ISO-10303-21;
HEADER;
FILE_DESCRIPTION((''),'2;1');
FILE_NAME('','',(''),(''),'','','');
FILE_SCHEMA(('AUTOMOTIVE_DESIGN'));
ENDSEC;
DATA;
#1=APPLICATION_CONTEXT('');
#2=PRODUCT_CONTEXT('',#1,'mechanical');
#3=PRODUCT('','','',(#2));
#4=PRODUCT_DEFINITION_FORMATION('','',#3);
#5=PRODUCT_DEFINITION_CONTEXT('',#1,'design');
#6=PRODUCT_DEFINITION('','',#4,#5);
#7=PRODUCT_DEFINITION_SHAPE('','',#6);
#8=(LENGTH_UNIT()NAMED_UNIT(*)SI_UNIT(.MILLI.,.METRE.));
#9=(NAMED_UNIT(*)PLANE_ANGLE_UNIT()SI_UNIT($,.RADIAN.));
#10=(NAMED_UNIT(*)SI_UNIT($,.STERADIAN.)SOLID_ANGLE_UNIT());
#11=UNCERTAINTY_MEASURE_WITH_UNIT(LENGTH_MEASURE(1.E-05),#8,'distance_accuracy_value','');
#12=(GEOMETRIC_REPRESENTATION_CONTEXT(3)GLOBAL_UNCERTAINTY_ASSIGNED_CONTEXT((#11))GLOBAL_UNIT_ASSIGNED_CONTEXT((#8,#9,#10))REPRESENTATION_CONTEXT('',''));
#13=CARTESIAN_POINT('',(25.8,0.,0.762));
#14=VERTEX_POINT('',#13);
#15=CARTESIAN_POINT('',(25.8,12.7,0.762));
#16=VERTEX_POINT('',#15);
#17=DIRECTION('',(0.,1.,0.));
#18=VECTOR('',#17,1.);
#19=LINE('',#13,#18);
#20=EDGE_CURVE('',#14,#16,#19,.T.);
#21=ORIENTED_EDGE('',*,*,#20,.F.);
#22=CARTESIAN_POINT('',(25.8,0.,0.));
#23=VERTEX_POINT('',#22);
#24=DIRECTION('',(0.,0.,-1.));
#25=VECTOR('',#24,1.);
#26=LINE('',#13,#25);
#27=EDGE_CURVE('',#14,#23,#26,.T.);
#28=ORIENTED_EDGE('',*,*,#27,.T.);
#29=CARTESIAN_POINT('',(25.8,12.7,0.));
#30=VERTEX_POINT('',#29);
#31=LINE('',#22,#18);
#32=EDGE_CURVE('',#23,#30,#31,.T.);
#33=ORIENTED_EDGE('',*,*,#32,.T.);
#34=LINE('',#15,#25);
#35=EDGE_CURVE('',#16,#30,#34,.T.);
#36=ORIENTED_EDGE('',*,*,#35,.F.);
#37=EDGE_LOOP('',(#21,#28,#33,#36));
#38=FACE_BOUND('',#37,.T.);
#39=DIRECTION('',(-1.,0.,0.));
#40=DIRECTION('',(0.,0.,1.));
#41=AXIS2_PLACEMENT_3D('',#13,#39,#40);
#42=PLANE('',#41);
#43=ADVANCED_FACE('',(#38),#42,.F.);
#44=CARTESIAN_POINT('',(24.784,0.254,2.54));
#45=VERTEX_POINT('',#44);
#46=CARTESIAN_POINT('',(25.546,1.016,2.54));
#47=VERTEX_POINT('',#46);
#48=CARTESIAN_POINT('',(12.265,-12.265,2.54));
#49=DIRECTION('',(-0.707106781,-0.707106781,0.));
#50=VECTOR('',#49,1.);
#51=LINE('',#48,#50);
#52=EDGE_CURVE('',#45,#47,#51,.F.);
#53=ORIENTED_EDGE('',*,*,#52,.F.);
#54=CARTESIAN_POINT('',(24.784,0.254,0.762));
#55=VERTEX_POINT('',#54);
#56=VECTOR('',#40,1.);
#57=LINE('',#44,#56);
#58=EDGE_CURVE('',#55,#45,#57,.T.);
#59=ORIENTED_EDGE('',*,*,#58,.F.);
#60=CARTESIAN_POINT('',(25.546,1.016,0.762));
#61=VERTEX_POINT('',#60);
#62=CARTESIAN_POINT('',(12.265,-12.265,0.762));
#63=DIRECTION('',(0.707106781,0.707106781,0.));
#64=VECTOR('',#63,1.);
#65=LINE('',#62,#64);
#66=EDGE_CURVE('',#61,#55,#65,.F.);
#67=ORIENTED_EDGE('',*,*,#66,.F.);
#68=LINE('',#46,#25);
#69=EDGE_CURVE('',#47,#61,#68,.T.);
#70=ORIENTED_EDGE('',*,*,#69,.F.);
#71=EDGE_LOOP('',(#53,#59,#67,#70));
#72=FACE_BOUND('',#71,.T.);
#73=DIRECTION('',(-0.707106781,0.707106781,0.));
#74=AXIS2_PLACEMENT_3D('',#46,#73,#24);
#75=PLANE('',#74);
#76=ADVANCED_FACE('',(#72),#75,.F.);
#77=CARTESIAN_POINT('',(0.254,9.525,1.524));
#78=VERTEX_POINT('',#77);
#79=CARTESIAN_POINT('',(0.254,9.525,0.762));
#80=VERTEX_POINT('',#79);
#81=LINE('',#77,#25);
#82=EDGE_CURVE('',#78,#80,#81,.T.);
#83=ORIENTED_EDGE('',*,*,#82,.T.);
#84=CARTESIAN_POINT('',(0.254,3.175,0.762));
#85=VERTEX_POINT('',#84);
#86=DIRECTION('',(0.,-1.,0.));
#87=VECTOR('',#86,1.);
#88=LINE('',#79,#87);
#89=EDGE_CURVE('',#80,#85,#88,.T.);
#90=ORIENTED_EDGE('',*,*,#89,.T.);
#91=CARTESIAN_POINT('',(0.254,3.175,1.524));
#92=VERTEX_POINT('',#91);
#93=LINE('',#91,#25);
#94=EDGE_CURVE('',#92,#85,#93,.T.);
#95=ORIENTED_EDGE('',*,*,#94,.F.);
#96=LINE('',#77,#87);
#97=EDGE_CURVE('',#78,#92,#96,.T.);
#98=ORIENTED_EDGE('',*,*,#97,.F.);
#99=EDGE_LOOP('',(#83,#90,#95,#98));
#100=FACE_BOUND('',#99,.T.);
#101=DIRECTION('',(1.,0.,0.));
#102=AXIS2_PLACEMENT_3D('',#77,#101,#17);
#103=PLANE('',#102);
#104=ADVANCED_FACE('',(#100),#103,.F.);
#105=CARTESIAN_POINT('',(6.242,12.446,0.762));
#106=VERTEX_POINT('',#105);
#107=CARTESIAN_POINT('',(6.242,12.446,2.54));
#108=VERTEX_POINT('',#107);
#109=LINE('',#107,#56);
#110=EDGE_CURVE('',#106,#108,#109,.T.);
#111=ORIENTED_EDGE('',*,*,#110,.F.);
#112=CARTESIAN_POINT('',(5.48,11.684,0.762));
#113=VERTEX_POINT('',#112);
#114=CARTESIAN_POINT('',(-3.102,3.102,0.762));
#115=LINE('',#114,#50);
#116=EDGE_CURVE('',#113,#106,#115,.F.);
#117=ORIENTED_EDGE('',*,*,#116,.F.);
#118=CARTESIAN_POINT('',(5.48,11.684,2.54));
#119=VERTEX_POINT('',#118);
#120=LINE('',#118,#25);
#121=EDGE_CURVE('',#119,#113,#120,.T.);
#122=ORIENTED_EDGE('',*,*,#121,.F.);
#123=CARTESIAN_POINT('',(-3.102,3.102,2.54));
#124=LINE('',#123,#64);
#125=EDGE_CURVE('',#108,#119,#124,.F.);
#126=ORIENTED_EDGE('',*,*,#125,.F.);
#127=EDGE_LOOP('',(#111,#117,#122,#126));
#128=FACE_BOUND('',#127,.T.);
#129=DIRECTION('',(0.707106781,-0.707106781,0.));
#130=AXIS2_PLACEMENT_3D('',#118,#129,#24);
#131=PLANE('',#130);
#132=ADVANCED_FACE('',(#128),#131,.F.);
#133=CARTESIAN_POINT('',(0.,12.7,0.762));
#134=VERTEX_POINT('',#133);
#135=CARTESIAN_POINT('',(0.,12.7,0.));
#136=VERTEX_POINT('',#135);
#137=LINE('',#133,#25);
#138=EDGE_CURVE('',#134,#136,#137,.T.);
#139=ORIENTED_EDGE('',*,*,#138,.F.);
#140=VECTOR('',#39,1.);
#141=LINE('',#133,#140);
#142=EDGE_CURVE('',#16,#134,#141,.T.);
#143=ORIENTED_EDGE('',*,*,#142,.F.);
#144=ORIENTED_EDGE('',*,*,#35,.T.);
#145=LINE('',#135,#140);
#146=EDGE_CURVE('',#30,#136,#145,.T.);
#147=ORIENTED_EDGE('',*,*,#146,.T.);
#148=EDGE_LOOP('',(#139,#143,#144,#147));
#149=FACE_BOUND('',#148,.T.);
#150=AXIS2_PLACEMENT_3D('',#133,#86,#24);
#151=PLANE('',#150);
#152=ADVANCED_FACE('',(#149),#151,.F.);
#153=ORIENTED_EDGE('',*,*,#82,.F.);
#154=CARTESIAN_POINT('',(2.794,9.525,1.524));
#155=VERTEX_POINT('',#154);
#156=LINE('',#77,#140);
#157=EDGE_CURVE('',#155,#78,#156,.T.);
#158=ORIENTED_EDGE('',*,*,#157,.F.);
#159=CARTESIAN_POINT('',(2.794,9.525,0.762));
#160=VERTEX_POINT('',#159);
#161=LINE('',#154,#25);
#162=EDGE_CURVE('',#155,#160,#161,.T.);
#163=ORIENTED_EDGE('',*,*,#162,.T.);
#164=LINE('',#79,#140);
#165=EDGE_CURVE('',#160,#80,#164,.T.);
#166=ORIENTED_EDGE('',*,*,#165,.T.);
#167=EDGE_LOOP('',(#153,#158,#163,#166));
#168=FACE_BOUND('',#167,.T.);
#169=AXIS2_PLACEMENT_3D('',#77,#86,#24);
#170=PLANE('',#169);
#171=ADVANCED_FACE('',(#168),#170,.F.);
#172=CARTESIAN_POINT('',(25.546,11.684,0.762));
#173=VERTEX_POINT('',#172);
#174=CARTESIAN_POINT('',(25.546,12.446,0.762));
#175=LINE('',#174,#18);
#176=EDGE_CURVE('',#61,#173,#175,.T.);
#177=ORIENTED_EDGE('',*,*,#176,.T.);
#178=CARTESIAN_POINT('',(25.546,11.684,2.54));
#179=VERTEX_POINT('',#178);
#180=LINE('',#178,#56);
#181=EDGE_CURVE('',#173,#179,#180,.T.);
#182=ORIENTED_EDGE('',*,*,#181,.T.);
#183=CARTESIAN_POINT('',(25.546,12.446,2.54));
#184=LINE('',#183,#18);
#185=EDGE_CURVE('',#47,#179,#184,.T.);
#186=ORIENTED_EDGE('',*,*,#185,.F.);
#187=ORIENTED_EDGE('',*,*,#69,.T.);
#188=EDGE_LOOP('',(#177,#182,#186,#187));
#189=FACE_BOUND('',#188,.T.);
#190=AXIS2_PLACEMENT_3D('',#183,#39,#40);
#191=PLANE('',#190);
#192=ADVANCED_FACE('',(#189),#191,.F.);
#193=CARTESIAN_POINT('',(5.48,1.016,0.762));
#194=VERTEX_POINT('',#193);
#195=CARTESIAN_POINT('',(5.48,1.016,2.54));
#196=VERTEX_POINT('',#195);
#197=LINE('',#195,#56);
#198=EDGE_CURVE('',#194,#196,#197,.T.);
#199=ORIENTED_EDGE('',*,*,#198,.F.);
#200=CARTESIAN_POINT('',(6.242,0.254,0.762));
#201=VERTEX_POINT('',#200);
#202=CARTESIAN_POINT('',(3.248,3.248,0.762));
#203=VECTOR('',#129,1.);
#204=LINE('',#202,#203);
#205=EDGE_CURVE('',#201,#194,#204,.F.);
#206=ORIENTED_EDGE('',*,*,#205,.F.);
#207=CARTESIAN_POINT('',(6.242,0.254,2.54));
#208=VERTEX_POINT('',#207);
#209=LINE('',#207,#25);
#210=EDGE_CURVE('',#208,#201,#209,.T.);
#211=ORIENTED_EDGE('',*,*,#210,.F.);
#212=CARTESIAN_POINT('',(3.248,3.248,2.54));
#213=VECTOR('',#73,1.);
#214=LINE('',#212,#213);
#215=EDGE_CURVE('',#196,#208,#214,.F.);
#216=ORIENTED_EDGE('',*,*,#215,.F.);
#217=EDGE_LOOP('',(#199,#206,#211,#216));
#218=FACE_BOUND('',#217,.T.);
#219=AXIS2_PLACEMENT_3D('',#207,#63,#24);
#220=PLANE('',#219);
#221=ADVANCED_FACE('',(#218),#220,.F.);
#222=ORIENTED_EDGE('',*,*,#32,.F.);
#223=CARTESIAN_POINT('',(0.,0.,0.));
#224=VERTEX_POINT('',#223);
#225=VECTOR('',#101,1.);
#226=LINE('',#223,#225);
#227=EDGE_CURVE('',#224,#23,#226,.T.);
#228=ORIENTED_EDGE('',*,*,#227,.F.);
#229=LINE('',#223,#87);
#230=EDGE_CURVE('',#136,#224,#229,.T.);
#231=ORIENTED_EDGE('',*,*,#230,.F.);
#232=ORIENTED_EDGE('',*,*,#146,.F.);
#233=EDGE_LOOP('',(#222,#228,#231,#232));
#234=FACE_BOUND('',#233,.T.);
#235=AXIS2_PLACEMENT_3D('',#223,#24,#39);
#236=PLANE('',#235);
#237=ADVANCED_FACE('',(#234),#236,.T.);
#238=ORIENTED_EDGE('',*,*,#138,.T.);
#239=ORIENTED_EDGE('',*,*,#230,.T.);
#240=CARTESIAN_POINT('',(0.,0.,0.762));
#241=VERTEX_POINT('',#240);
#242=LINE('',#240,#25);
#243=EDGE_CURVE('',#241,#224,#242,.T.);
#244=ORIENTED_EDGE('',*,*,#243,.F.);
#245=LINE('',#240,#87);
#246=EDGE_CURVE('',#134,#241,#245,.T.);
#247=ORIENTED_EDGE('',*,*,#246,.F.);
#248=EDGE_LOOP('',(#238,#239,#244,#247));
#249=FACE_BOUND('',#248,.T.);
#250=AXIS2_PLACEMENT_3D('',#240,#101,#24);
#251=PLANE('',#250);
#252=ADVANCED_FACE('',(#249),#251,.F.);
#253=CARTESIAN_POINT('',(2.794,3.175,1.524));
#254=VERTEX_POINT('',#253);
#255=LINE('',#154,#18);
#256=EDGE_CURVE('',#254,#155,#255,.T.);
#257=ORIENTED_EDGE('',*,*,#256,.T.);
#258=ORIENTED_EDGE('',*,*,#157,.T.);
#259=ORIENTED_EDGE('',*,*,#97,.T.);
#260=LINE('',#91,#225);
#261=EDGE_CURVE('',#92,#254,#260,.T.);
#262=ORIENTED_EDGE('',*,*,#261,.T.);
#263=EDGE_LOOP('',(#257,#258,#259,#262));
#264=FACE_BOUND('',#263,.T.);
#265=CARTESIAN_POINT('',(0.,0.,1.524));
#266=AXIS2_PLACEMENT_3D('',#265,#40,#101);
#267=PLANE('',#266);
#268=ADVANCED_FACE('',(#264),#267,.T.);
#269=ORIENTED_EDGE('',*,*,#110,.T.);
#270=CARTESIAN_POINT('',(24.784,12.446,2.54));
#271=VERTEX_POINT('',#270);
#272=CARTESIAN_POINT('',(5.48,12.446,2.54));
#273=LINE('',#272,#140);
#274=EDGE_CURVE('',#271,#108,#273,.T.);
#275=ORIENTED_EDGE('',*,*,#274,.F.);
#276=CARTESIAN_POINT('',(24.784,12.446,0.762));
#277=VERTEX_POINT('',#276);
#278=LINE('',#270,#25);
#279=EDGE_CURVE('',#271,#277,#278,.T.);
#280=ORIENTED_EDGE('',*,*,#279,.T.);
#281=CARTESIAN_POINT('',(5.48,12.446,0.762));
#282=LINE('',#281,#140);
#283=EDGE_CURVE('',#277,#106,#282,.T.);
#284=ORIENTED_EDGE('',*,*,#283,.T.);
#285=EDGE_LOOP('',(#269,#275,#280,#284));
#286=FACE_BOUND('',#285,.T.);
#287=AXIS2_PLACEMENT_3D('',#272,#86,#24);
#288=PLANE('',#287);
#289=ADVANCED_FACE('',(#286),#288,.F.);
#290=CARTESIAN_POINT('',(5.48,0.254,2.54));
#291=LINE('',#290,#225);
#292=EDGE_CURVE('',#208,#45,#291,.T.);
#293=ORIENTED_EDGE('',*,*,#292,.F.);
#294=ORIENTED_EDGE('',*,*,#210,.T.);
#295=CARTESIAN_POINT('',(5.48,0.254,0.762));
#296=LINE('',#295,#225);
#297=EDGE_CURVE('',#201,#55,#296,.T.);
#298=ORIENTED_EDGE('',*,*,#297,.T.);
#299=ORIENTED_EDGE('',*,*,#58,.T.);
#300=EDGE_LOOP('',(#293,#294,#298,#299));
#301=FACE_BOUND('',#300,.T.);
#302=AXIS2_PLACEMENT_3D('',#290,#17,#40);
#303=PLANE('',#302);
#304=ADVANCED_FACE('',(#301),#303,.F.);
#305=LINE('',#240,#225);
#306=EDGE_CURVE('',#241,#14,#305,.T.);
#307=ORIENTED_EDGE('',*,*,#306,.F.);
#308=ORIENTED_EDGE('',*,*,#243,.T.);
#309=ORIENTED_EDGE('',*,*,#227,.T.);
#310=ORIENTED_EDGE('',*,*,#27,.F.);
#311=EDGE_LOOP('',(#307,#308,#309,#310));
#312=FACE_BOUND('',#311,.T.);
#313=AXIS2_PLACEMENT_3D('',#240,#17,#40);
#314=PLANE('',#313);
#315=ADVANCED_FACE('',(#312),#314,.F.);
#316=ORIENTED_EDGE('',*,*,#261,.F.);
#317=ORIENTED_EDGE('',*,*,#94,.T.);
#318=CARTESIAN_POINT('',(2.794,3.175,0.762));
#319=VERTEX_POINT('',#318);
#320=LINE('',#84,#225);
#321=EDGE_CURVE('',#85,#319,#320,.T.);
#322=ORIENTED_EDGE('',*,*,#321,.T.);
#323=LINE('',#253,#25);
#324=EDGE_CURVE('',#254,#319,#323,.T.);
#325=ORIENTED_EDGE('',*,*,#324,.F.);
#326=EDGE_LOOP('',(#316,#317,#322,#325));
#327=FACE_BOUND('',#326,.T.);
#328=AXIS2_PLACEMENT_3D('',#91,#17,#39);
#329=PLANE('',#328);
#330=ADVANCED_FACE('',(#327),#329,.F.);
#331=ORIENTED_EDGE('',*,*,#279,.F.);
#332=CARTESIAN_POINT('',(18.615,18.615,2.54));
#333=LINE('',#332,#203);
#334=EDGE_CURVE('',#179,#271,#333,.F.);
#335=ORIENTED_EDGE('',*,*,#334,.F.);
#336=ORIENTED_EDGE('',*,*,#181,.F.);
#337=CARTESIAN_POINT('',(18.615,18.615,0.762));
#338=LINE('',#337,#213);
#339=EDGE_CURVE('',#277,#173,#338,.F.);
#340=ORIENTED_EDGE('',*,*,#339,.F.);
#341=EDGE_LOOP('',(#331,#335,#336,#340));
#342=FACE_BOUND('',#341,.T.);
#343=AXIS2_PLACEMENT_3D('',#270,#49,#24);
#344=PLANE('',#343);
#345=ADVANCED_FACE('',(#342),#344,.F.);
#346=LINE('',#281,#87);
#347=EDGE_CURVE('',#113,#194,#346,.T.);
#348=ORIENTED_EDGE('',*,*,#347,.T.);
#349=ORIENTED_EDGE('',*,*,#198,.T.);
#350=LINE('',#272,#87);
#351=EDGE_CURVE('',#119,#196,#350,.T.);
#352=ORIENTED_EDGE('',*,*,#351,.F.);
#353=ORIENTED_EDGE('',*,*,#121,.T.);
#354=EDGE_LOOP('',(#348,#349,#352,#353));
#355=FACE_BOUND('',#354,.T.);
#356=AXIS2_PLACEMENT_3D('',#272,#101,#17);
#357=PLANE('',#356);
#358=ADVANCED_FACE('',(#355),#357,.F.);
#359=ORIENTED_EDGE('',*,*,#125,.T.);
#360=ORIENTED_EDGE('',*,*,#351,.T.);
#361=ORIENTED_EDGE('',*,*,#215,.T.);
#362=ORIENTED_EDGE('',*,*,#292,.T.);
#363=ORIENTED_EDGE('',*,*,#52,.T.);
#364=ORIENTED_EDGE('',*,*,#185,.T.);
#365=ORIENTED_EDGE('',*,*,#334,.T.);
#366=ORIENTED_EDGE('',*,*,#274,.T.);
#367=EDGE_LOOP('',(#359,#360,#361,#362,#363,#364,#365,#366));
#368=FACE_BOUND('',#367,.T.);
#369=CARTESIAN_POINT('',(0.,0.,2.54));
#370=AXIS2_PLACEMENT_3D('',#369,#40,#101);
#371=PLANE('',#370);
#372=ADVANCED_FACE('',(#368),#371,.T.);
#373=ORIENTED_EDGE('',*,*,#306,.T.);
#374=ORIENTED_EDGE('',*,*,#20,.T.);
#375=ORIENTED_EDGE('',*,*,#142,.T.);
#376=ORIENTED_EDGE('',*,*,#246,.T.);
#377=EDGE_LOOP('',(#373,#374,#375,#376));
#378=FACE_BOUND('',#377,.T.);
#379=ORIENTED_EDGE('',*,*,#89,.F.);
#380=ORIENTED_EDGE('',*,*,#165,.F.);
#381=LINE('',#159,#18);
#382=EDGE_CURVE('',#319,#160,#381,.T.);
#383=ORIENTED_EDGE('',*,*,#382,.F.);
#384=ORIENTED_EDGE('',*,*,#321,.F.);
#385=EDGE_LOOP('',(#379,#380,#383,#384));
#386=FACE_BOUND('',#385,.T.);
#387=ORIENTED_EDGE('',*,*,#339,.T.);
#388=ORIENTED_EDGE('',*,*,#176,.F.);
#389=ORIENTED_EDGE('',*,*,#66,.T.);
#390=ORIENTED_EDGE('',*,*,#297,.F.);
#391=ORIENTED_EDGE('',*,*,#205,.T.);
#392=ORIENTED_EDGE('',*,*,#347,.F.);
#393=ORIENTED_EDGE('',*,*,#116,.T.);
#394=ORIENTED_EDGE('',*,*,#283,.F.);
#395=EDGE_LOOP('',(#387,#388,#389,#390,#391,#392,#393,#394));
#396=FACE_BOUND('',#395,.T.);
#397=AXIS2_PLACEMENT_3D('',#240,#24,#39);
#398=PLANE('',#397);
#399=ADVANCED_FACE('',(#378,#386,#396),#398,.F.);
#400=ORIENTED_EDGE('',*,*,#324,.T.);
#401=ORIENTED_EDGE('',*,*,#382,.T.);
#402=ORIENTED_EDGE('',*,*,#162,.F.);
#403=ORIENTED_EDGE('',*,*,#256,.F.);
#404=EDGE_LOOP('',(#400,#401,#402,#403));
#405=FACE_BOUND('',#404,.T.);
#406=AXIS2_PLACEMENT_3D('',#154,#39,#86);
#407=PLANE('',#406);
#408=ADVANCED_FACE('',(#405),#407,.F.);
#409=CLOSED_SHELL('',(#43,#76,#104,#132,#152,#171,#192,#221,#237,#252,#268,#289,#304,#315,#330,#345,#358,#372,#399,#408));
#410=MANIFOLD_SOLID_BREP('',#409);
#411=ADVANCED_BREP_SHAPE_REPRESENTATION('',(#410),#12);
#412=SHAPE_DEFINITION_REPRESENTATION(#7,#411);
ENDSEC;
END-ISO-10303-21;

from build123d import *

# Parameters (mm, degrees)
SKETCH1_W           = 25.8
SKETCH1_H           = 12.7
BOSS_EXTRUDE1_DEPTH = 0.762
SKETCH2_W           = 20.066
SKETCH2_H           = 12.192
BOSS_EXTRUDE2_DEPTH = 1.778
CHAMFER1_SIZE       = 0.762
SKETCH3_W           = 2.54
SKETCH3_H           = 6.35
BOSS_EXTRUDE3_DEPTH = 0.762


with BuildPart() as part:
    # Sketch1 → Boss-Extrude1 (new body)
    with BuildSketch(Plane.XY):
        with Locations((12.9, 6.35)):
            Rectangle(SKETCH1_W, SKETCH1_H)
    extrude(amount=BOSS_EXTRUDE1_DEPTH)

    # Sketch2 → Boss-Extrude2 (add)
    with BuildSketch(Plane.XY.offset(0.762)):
        with Locations((15.513, 6.35)):
            Rectangle(SKETCH2_W, SKETCH2_H)
    extrude(amount=BOSS_EXTRUDE2_DEPTH)

    # Chamfer1
    chamfer1_edges = [part.edges().sort_by_distance(p)[0] for p in [
        (5.48, 12.446, 1.651),
        (5.48, 0.254, 1.651),
        (25.546, 0.254, 1.651),
        (25.546, 12.446, 1.651),
    ]]
    chamfer(chamfer1_edges, length=CHAMFER1_SIZE)

    # Sketch3 → Boss-Extrude3 (add)
    with BuildSketch(Plane.XY.offset(0.762)):
        with Locations((1.524, 6.35)):
            Rectangle(SKETCH3_W, SKETCH3_H)
    extrude(amount=BOSS_EXTRUDE3_DEPTH)


solid = part.part
